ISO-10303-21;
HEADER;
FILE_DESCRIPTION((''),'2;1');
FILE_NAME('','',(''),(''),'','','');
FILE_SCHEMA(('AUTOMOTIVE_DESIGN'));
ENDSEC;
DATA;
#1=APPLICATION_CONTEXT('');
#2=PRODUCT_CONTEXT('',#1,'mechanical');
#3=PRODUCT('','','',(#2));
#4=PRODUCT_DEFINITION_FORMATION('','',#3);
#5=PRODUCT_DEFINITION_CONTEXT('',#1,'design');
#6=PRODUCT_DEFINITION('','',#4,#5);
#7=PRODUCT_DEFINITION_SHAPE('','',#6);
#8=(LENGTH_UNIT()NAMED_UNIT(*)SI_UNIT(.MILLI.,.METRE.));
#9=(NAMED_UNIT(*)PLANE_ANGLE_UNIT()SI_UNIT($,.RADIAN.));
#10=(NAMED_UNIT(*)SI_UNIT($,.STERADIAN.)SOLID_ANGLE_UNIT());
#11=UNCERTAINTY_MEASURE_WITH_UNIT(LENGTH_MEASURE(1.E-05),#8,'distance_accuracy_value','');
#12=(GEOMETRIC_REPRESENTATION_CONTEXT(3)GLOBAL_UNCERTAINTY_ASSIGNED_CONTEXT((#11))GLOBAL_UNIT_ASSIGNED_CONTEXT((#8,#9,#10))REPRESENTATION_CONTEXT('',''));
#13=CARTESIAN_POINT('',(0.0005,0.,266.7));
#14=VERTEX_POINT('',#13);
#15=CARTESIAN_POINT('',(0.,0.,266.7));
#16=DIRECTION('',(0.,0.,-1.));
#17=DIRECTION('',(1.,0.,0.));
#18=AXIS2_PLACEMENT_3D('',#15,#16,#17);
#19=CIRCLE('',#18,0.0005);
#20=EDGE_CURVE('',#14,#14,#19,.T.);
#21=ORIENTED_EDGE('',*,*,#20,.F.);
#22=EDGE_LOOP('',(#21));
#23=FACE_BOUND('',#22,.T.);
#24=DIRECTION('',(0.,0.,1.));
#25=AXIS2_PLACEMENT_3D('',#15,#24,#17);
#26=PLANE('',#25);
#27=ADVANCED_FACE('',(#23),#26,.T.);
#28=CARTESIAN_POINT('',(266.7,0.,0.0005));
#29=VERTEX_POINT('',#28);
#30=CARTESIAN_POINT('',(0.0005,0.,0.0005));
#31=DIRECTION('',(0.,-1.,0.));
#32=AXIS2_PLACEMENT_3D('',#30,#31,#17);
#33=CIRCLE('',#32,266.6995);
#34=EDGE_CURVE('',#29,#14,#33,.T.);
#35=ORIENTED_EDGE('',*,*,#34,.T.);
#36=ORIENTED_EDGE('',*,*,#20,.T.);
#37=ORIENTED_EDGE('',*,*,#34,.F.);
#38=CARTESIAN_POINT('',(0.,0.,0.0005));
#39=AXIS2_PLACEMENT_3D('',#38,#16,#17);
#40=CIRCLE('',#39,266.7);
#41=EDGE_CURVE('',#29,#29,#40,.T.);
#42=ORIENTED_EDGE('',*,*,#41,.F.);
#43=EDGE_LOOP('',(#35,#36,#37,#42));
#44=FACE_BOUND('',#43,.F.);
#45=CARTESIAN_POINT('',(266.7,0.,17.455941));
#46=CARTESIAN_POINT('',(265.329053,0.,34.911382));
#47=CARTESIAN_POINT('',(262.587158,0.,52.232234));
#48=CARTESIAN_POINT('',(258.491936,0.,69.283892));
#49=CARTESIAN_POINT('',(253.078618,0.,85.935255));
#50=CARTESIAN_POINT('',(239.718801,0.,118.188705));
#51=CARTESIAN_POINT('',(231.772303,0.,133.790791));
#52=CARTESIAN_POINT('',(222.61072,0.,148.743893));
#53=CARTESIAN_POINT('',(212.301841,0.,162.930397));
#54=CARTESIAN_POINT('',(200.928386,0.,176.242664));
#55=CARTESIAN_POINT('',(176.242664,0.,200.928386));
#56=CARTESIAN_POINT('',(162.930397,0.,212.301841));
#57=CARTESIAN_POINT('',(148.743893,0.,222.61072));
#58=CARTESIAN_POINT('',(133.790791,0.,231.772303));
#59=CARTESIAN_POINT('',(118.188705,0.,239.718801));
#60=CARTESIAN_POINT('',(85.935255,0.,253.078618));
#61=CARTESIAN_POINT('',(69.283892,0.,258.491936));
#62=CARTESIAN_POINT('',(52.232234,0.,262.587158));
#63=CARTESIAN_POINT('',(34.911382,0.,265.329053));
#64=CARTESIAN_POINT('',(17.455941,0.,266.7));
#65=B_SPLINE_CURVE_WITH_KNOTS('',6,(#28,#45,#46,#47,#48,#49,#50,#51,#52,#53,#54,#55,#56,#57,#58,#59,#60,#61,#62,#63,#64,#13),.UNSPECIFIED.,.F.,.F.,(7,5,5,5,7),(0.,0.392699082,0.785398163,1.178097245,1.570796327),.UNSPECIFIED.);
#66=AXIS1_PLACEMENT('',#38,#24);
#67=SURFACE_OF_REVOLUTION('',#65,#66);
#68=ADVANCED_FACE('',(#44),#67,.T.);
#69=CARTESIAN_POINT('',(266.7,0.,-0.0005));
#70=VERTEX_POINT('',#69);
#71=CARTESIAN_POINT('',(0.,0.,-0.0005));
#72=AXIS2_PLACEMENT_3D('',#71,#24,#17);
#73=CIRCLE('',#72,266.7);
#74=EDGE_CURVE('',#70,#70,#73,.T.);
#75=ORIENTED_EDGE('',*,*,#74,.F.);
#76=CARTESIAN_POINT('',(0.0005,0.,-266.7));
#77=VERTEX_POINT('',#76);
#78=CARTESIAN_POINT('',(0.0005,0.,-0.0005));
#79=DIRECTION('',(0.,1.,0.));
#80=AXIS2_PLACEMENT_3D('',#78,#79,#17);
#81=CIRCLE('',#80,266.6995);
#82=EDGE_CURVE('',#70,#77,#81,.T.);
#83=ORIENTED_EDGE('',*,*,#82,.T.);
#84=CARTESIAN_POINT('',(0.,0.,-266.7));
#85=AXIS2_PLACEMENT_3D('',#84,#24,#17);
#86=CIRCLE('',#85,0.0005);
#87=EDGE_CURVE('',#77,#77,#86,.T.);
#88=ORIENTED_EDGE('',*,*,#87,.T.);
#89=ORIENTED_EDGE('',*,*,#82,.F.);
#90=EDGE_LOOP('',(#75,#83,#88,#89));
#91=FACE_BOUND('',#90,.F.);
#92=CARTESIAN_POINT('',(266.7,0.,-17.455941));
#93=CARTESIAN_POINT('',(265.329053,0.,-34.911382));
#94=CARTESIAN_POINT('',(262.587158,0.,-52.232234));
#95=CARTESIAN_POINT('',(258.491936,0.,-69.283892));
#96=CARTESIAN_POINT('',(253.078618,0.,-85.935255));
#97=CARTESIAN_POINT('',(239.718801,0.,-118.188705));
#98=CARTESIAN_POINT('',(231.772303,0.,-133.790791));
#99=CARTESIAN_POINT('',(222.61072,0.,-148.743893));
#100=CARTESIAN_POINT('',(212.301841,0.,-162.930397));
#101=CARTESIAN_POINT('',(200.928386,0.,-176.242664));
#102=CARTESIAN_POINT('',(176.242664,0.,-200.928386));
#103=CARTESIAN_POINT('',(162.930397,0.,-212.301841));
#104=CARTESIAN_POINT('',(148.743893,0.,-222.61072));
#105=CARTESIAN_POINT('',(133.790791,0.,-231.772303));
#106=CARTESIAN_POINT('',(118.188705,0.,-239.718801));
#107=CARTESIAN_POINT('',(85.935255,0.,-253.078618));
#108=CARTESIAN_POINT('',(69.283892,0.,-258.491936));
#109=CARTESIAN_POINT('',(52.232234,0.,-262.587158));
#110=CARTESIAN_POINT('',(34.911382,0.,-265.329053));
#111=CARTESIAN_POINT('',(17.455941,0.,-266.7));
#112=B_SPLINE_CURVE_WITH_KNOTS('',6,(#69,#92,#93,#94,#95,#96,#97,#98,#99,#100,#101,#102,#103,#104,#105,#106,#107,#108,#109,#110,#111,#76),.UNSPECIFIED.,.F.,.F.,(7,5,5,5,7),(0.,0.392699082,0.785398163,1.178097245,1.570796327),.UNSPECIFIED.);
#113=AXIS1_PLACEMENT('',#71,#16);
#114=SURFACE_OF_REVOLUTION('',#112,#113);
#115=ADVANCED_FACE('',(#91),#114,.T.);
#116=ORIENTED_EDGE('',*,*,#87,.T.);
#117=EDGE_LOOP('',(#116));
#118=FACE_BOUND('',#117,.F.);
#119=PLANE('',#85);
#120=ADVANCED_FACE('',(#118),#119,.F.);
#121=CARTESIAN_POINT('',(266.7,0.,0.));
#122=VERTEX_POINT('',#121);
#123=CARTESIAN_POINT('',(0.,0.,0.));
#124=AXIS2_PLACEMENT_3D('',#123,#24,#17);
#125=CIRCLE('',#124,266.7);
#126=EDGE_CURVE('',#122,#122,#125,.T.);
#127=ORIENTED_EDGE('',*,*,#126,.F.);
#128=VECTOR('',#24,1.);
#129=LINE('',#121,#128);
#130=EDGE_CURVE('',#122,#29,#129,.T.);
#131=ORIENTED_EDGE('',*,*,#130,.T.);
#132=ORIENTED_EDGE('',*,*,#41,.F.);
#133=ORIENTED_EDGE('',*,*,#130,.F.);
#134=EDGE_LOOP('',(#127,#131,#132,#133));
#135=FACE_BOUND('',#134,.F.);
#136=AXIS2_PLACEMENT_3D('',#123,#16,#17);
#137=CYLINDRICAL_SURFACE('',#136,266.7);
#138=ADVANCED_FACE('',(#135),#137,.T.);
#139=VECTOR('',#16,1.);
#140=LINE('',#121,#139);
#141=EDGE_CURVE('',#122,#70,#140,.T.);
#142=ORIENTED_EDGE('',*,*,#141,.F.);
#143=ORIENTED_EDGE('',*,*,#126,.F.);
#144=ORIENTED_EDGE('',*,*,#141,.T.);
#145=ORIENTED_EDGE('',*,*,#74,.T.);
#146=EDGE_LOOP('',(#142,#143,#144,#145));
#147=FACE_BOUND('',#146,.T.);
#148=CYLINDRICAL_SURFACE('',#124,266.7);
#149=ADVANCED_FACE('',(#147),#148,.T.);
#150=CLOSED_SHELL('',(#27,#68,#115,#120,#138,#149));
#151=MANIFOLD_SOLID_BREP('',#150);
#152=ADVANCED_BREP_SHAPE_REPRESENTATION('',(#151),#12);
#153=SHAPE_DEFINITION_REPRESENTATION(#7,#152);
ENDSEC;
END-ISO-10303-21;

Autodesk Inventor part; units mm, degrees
ref_plane "YZ Plane" through (0, 0, 0) normal (1, 0, 0) x (0, 1, 0)
ref_plane "XZ Plane" through (0, 0, 0) normal (0, 1, 0) x (-1, 0, 0)
ref_plane "XY Plane" through (0, 0, 0) normal (0, 0, 1) x (1, 0, 0)
sketch "Sketch1" plane through (0, 0, 0) normal (0, 0, 1) x (1, 0, 0)
  circle A0 centre (0, 0) radius 266.7
  line L0 (0, 266.7) -> (339.5925, 0)
  line L1 (339.5925, 0) -> (0, 0)
  line L2 (0, 0) -> (0, 266.7)
  dimension "d0" = 533.4
  dimension "d6" = 431.8008
  dimension "d7" = 266.7
  dimension "d8" = 339.5925
extrude "Extrusion1" add sketch "Sketch1" along normal mid plane 533.4 contours L2 L1 A0 | A0 L0 | L0 A0 L1 L2
fillet "Fillet1" radius 266.7 1 edges at (-266.7, 0, 266.7)
sketch "Sketch2" plane through (0, 0, -266.7) normal (0, 0, -1) x (-1, 0, 0)
  point P0 (0, 0)
fillet "Fillet2" radius 266.7 1 edges at (-266.7, 0, -266.7)
properties part number "CapBall2" material "Rubber"
